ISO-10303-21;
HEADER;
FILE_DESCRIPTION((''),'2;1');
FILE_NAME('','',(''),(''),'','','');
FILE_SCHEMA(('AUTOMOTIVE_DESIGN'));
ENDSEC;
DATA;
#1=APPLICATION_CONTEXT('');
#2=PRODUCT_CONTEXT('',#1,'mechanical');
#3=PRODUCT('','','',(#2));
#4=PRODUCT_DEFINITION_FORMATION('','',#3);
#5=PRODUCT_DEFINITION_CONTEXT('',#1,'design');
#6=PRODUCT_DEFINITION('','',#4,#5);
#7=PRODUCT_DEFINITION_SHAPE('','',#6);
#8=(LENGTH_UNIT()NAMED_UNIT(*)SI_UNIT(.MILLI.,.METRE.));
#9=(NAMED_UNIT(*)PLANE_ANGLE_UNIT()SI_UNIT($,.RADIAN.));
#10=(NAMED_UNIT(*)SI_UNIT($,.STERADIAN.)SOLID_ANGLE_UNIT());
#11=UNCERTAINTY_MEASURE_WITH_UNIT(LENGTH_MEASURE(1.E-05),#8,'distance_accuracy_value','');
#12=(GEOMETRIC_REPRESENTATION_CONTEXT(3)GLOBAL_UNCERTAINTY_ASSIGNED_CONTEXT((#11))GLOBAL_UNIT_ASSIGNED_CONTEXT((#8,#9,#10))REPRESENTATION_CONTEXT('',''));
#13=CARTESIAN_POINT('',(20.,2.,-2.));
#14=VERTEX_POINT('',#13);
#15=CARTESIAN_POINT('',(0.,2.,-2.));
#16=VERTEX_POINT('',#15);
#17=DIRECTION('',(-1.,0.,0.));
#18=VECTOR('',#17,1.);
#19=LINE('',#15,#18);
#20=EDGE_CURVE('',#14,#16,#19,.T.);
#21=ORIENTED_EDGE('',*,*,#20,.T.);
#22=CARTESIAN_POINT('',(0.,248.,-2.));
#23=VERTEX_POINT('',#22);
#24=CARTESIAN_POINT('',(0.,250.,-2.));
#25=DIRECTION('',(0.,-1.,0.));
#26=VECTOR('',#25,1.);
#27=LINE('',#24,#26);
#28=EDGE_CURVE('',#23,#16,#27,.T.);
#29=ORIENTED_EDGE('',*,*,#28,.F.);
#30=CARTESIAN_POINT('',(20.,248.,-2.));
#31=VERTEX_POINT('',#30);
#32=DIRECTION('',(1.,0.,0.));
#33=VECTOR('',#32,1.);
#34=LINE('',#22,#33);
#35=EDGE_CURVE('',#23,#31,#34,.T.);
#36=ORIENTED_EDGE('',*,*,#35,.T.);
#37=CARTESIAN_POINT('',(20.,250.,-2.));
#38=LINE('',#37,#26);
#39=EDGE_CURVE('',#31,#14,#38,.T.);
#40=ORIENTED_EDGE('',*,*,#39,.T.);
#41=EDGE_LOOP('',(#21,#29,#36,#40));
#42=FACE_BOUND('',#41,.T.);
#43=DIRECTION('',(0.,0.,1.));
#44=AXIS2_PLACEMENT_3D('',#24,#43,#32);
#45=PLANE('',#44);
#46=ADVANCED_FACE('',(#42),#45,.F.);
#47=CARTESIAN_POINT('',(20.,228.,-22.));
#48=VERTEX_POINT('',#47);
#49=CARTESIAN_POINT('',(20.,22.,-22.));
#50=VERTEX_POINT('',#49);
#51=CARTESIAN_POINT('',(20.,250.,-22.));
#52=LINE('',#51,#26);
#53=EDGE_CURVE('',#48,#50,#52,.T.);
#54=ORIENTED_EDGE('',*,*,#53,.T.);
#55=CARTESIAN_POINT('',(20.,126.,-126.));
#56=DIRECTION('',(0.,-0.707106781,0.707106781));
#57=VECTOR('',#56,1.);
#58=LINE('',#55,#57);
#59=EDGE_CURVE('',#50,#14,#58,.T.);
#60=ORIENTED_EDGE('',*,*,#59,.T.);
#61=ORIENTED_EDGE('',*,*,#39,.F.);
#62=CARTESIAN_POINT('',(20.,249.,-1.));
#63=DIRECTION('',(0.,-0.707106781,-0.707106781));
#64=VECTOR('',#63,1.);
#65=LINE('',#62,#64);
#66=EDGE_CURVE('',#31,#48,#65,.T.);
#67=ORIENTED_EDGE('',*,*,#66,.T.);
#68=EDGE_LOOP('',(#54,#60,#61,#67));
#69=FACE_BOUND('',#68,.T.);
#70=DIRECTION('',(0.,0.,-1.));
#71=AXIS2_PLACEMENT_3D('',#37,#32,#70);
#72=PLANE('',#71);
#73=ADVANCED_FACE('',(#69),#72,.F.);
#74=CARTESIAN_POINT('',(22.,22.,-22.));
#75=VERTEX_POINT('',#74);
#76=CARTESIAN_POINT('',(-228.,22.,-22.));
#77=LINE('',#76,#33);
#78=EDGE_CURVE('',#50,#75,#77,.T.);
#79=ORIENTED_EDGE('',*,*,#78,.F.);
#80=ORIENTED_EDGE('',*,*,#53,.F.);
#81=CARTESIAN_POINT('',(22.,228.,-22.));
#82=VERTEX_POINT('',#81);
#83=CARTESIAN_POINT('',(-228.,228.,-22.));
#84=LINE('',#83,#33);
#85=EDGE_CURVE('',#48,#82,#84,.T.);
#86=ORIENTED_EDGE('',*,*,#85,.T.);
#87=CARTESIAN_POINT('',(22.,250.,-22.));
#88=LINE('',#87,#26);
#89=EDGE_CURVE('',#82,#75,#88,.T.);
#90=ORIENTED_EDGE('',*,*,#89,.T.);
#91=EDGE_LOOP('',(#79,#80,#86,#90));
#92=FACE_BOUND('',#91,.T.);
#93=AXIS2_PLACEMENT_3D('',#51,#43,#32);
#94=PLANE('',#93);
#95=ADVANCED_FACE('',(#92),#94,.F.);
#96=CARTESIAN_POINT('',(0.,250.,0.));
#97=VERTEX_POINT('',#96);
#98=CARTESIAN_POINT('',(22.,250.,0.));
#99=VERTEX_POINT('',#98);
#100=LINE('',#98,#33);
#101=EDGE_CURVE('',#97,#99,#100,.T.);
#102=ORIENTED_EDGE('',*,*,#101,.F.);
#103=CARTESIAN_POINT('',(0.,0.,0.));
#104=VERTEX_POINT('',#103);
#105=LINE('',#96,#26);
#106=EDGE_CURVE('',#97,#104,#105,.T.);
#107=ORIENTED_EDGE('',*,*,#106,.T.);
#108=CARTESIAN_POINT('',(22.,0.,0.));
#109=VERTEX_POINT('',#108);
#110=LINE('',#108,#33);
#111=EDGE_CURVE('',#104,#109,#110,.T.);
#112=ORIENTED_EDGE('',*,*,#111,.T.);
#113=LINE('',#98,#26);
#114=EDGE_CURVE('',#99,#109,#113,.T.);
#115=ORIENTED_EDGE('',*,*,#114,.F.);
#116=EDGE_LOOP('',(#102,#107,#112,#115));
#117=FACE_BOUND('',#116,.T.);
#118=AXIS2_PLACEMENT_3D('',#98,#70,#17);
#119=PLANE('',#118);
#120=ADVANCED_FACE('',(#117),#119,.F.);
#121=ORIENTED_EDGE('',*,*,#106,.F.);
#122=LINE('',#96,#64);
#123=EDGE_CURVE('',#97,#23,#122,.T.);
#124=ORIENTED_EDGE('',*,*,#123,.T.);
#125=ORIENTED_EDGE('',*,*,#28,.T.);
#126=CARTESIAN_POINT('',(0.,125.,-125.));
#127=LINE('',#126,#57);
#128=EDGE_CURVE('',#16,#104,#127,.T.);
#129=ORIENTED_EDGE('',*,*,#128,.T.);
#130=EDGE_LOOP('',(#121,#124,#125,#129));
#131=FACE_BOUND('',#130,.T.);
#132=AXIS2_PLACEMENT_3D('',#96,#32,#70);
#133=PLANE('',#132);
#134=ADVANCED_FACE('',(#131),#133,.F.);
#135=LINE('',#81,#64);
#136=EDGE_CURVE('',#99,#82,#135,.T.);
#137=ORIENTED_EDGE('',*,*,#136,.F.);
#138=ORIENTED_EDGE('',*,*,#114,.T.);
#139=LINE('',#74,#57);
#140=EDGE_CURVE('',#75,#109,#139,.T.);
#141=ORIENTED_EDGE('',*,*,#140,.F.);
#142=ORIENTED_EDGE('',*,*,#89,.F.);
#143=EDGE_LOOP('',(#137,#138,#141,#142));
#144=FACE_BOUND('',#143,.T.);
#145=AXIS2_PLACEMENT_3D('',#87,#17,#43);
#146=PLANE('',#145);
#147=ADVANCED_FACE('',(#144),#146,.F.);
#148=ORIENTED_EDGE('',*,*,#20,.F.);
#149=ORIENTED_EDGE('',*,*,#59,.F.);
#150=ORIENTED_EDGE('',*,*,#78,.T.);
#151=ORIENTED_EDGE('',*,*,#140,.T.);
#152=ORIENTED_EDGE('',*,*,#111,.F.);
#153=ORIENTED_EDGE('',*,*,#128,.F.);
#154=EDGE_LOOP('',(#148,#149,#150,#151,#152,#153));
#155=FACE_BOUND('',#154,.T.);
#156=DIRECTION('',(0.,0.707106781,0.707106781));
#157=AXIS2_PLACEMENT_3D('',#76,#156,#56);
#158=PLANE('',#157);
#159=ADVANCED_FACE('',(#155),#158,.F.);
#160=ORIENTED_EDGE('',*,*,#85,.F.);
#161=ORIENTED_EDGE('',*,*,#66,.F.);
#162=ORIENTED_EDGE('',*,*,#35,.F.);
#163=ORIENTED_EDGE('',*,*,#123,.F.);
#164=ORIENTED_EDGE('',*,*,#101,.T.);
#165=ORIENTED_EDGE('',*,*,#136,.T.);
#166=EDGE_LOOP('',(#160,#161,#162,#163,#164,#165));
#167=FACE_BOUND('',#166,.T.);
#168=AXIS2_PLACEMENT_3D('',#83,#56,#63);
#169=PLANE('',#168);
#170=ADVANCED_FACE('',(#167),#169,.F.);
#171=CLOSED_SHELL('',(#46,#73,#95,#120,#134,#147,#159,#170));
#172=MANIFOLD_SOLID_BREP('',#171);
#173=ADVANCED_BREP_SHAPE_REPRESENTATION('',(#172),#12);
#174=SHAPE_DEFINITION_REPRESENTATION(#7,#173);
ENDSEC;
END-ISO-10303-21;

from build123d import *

# Parameters (mm, degrees)
EXTRUDE_1_DEPTH     = 250
CUT_EXTRUDE_1_DEPTH = 250


with BuildPart() as part:
    # Эскиз1 → Бобышка-Вытянуть1 (new body)
    with BuildSketch(Plane(origin=(0, 0, 0), x_dir=(1, 0, 0), z_dir=(0, 1, 0))):
        Polygon((0, 0), (0, 2), (20, 2), (20, 22), (22, 22), (22, 0), align=None)
    extrude(amount=EXTRUDE_1_DEPTH)

    # Эскиз3 → Вырез-Вытянуть1 (cut)
    with BuildSketch(Plane(origin=(22, 0, 0), x_dir=(0, 0, -1), z_dir=(1, 0, 0))):
        Polygon((0, 0), (22, 0), (22, 22), align=None)
        Polygon((22, 250), (22, 228), (0, 250), align=None)
    extrude(amount=-CUT_EXTRUDE_1_DEPTH, mode=Mode.SUBTRACT)


solid = part.part
